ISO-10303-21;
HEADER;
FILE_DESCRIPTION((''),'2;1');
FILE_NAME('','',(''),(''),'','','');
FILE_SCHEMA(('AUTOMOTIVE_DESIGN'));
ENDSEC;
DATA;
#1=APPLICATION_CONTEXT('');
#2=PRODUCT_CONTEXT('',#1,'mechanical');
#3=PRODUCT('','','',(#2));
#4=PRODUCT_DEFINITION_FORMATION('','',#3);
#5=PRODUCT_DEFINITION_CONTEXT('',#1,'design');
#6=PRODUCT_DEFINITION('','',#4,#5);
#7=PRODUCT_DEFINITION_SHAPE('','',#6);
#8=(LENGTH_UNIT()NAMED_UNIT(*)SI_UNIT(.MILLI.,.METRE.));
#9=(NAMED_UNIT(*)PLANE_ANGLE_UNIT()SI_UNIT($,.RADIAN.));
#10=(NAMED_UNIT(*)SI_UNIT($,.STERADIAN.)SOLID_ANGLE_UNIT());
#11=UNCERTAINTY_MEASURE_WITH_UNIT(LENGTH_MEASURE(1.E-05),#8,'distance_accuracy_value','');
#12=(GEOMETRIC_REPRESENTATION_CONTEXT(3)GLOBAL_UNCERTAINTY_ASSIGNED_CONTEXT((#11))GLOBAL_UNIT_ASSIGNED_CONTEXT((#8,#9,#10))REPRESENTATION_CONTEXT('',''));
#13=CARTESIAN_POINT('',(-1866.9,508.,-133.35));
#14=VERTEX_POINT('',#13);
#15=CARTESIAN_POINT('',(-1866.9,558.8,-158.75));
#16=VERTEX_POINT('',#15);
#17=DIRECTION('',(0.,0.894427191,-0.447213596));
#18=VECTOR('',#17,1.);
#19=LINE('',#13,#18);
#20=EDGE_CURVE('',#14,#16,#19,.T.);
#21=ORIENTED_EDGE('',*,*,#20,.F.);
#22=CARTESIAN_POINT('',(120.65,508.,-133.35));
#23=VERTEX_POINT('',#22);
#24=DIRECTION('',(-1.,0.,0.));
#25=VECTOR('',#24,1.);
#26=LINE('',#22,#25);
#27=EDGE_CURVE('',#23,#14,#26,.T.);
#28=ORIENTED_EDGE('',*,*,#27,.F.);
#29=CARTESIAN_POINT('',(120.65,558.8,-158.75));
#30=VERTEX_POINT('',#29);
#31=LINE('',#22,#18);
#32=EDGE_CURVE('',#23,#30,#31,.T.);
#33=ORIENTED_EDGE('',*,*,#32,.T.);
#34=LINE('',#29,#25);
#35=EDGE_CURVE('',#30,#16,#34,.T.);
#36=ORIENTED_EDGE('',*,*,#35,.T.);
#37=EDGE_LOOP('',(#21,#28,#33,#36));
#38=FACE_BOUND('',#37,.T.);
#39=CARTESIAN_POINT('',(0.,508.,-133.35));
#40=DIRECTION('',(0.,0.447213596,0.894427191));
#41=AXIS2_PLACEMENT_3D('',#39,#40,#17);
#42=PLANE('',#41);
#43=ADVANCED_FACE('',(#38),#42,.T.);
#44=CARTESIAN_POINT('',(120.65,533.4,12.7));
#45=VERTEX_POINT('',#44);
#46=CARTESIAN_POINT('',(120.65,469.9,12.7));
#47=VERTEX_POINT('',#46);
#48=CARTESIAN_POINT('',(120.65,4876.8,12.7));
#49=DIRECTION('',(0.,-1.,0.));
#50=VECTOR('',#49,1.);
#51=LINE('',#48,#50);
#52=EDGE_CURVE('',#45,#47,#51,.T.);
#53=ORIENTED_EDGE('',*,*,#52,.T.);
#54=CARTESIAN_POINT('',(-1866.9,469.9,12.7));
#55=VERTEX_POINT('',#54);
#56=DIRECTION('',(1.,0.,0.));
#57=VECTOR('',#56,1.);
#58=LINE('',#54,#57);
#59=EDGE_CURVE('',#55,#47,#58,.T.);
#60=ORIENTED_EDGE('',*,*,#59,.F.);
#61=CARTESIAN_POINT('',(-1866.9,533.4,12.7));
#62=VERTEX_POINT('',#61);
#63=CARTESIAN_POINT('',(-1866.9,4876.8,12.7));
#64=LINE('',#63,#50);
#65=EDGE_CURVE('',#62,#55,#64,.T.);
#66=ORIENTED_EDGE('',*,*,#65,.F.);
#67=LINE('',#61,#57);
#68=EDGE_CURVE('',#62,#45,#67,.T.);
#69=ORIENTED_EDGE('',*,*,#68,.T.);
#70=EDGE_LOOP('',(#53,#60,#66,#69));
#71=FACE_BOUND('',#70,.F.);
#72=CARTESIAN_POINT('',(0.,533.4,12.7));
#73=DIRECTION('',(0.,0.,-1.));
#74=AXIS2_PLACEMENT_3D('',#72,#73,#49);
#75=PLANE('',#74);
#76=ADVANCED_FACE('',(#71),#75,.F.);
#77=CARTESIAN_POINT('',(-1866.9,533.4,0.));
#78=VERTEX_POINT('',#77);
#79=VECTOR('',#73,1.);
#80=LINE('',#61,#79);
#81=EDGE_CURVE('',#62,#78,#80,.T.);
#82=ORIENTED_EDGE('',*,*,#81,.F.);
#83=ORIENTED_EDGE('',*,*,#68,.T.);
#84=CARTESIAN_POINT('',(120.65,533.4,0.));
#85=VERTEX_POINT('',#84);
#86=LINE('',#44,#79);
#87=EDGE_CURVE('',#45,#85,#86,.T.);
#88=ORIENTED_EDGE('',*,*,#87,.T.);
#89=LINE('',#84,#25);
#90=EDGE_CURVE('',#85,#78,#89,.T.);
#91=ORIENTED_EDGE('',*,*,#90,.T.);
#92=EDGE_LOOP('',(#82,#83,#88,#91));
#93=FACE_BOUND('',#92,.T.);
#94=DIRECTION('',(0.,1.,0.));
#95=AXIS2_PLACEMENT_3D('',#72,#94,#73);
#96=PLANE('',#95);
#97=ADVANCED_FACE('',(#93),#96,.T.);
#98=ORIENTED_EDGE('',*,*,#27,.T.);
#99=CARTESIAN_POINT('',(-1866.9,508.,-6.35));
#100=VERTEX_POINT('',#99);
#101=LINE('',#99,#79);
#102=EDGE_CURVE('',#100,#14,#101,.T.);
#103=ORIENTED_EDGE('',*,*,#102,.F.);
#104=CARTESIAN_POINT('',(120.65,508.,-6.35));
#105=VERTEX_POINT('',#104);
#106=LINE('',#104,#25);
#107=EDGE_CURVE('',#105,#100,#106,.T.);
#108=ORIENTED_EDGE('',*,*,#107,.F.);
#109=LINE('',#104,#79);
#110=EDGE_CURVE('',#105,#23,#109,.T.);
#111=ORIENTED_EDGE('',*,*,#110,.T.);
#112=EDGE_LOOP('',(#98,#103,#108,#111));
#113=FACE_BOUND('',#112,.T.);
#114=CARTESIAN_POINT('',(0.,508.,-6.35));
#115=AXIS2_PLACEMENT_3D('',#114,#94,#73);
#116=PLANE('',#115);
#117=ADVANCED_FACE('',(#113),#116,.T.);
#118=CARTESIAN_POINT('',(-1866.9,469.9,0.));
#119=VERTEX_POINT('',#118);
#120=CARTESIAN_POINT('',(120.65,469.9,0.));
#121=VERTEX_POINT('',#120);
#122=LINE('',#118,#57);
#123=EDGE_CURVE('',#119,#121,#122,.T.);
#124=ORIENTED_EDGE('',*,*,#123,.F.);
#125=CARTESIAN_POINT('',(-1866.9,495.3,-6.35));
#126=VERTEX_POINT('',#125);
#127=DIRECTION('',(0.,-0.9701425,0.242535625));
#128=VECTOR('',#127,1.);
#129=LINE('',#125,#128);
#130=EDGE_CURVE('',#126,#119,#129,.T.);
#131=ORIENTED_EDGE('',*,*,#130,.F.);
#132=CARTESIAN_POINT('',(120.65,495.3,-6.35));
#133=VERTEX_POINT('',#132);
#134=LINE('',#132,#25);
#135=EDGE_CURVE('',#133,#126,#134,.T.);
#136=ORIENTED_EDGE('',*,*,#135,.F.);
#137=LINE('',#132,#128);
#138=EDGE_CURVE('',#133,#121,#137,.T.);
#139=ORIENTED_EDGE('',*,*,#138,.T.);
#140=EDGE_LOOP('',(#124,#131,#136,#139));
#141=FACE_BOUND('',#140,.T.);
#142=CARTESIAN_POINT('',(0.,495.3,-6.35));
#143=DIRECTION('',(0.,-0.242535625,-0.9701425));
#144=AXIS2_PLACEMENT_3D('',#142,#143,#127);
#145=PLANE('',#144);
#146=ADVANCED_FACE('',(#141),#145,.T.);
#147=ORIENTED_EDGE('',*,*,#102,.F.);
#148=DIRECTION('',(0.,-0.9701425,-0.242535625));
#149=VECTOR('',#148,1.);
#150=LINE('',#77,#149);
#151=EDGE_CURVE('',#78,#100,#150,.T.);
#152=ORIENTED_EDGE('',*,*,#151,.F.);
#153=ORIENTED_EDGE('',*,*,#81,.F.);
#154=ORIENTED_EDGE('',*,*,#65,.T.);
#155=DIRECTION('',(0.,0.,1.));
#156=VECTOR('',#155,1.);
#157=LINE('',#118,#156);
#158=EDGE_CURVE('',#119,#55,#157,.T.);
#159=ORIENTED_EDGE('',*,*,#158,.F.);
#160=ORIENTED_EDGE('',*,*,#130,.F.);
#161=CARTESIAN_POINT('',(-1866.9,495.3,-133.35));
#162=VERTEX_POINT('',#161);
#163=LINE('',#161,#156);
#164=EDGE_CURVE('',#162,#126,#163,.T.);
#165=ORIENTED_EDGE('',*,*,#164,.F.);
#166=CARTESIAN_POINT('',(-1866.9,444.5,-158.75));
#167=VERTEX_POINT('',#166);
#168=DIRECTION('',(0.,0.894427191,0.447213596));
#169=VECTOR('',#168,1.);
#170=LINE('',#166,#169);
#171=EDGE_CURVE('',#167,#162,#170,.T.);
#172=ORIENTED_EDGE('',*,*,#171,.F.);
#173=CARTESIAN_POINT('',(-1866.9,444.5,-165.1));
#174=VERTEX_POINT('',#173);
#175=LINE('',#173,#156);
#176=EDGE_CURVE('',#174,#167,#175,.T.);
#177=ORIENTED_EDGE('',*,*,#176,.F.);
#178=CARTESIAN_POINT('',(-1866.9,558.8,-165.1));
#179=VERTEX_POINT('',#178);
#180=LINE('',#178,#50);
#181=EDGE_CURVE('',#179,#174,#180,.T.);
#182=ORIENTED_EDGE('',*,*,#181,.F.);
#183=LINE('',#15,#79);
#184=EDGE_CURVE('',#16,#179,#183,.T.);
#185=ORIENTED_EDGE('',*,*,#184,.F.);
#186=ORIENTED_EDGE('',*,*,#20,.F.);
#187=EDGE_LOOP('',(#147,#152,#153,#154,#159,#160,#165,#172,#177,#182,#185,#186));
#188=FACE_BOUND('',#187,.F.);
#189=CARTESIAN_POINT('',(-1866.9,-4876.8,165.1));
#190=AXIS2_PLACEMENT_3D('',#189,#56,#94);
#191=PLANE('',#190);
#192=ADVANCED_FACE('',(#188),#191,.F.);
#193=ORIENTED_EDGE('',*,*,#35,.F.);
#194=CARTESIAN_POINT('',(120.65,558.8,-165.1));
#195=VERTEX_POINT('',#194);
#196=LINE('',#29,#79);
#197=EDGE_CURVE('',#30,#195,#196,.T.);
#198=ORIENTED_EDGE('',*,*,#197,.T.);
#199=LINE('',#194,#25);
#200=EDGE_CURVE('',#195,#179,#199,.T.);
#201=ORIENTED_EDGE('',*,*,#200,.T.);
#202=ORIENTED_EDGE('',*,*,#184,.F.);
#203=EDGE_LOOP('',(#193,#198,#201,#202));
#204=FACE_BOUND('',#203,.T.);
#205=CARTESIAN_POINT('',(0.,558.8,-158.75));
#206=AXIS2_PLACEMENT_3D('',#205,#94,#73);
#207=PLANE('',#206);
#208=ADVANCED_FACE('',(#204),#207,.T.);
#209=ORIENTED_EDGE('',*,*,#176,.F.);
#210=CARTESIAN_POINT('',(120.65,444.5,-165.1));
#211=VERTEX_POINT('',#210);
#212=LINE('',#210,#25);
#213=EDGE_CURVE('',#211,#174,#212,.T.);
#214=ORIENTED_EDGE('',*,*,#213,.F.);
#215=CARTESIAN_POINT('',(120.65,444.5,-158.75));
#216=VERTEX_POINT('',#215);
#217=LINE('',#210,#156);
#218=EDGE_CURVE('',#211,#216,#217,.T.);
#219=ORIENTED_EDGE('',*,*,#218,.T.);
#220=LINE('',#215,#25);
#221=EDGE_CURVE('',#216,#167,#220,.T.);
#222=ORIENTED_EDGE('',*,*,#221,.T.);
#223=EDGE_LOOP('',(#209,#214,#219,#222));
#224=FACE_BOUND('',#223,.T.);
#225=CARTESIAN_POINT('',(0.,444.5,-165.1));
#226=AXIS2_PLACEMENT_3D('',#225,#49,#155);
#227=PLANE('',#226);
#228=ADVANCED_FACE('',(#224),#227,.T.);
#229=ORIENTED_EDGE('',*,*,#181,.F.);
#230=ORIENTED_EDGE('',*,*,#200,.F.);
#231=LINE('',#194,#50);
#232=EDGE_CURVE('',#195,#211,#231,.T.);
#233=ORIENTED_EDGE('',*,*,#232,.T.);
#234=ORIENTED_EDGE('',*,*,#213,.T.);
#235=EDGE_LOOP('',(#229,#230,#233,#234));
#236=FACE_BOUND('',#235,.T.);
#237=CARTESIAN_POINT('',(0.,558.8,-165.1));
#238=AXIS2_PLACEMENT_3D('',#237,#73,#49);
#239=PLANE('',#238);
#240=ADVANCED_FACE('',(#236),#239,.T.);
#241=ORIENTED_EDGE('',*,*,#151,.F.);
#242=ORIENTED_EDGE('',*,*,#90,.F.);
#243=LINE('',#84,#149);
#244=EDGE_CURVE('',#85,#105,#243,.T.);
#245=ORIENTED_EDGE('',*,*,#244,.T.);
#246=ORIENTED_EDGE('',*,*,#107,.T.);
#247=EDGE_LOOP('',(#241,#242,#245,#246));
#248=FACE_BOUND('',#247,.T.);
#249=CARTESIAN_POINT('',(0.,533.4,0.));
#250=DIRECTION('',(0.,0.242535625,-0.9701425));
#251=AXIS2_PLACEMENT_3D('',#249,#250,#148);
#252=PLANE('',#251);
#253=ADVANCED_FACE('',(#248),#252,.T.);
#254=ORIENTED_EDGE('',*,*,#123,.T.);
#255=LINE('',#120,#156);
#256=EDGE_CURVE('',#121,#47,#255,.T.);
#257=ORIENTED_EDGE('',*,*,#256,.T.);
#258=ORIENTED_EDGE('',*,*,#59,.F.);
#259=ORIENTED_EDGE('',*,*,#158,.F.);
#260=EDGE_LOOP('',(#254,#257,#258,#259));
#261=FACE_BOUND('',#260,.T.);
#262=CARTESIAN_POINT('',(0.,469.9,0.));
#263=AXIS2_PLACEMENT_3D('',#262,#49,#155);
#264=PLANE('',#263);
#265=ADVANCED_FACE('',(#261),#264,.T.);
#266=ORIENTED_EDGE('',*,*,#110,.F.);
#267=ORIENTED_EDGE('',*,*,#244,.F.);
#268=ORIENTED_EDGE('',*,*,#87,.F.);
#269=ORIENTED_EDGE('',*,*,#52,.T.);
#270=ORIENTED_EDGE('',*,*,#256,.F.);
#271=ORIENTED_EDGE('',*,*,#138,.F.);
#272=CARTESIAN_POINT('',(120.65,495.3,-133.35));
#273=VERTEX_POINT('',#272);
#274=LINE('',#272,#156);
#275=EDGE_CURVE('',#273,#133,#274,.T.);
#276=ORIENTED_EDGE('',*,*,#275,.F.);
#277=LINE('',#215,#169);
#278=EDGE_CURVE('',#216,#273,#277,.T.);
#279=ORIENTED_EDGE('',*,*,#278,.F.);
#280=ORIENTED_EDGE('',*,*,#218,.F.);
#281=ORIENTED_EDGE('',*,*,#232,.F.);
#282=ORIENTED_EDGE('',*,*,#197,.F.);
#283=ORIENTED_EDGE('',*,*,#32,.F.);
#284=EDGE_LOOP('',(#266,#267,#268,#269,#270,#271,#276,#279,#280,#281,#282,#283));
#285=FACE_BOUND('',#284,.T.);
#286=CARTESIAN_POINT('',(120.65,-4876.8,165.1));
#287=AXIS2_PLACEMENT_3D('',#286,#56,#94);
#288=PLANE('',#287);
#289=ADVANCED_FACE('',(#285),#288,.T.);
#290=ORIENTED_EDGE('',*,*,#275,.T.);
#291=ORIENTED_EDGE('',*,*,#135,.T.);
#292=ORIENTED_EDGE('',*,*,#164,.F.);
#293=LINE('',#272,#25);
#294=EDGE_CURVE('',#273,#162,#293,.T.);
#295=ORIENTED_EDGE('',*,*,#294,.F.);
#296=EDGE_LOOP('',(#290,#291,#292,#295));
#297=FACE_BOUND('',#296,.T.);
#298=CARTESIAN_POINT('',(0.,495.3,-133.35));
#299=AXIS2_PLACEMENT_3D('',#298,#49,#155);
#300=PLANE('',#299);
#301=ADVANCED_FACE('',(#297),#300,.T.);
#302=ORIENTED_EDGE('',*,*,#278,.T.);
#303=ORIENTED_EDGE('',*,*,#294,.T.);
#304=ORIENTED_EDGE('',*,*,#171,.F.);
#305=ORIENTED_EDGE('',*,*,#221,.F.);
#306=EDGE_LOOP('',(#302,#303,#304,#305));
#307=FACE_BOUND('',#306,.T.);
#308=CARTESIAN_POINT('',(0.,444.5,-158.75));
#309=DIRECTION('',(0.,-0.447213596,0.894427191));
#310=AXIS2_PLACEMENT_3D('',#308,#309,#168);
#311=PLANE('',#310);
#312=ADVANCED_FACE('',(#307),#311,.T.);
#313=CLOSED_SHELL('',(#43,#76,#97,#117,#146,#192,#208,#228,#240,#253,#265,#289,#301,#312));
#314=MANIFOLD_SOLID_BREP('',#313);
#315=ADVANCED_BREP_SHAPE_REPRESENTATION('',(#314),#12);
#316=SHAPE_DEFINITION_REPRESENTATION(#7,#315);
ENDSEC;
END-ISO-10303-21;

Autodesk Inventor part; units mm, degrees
ref_plane "YZ Plane" through (0, 0, 0) normal (1, 0, 0) x (0, 1, 0)
ref_plane "XZ Plane" through (0, 0, 0) normal (0, 1, 0) x (-1, 0, 0)
ref_plane "XY Plane" through (0, 0, 0) normal (0, 0, 1) x (1, 0, 0)
sketch "Sketch1" plane through (0, -4876.8, 165.1) normal (1, 0, 0) x (0, 1, 0)
  line L0 (0, 0) -> (0, -127)
  line L1 (9753.6, 0) -> (9753.6, -127)
  line L2 (9753.6, -152.4) -> (0, -152.4)
  line L3 (5410.2, -152.4) -> (5410.2, -165.1)
  line L4 (5410.2, -165.1) -> (5384.8, -171.45)
  line L5 (5384.8, -171.45) -> (5384.8, -298.45)
  line L6 (5384.8, -298.45) -> (5435.6, -323.85)
  line L7 (5435.6, -323.85) -> (5435.6, -330.2)
  line L8 (5435.6, -330.2) -> (5321.3, -330.2)
  line L9 (5321.3, -330.2) -> (5321.3, -323.85)
  line L10 (5372.1, -298.45) -> (5372.1, -171.45)
  line L11 (5410.2, -152.4) -> (5346.7, -152.4)
  line L12 (5378.45, -325.0091) -> (5378.45, -152.4) construction
  line L13 (5372.1, -171.45) -> (5346.7, -165.1)
  line L14 (5346.7, -165.1) -> (5346.7, -152.4)
  line L15 (5372.1, -298.45) -> (5384.8, -298.45) construction
  line L16 (5321.3, -323.85) -> (5372.1, -298.45)
  point P0 (9753.6, -50.8)
  point P1 (9753.6, -63.5)
  dimension "d8" = 12.7
  dimension "d6" = 6.35
  dimension "d17" = 6.35
  dimension "d12" = 6.35
  dimension "d14" = 50.8
  dimension "d13" = 25.4
  dimension "d16" = 25.4
  dimension "d5" = 25.4
  dimension "d11" = 6.35
  dimension "d10" = 50.8
  dimension "d3" = 90
  dimension "d15" = 127
  dimension "d7" = 177.8
  dimension "d9" = 127
  dimension "d4" = 6.35
  dimension "d2" = 4368.8
extrude "Extrusion1" add sketch "Sketch1" along normal blind 120.65 and the other way blind 1866.9
properties part number "Short I-Beam" material "Steel ASTM A36"
